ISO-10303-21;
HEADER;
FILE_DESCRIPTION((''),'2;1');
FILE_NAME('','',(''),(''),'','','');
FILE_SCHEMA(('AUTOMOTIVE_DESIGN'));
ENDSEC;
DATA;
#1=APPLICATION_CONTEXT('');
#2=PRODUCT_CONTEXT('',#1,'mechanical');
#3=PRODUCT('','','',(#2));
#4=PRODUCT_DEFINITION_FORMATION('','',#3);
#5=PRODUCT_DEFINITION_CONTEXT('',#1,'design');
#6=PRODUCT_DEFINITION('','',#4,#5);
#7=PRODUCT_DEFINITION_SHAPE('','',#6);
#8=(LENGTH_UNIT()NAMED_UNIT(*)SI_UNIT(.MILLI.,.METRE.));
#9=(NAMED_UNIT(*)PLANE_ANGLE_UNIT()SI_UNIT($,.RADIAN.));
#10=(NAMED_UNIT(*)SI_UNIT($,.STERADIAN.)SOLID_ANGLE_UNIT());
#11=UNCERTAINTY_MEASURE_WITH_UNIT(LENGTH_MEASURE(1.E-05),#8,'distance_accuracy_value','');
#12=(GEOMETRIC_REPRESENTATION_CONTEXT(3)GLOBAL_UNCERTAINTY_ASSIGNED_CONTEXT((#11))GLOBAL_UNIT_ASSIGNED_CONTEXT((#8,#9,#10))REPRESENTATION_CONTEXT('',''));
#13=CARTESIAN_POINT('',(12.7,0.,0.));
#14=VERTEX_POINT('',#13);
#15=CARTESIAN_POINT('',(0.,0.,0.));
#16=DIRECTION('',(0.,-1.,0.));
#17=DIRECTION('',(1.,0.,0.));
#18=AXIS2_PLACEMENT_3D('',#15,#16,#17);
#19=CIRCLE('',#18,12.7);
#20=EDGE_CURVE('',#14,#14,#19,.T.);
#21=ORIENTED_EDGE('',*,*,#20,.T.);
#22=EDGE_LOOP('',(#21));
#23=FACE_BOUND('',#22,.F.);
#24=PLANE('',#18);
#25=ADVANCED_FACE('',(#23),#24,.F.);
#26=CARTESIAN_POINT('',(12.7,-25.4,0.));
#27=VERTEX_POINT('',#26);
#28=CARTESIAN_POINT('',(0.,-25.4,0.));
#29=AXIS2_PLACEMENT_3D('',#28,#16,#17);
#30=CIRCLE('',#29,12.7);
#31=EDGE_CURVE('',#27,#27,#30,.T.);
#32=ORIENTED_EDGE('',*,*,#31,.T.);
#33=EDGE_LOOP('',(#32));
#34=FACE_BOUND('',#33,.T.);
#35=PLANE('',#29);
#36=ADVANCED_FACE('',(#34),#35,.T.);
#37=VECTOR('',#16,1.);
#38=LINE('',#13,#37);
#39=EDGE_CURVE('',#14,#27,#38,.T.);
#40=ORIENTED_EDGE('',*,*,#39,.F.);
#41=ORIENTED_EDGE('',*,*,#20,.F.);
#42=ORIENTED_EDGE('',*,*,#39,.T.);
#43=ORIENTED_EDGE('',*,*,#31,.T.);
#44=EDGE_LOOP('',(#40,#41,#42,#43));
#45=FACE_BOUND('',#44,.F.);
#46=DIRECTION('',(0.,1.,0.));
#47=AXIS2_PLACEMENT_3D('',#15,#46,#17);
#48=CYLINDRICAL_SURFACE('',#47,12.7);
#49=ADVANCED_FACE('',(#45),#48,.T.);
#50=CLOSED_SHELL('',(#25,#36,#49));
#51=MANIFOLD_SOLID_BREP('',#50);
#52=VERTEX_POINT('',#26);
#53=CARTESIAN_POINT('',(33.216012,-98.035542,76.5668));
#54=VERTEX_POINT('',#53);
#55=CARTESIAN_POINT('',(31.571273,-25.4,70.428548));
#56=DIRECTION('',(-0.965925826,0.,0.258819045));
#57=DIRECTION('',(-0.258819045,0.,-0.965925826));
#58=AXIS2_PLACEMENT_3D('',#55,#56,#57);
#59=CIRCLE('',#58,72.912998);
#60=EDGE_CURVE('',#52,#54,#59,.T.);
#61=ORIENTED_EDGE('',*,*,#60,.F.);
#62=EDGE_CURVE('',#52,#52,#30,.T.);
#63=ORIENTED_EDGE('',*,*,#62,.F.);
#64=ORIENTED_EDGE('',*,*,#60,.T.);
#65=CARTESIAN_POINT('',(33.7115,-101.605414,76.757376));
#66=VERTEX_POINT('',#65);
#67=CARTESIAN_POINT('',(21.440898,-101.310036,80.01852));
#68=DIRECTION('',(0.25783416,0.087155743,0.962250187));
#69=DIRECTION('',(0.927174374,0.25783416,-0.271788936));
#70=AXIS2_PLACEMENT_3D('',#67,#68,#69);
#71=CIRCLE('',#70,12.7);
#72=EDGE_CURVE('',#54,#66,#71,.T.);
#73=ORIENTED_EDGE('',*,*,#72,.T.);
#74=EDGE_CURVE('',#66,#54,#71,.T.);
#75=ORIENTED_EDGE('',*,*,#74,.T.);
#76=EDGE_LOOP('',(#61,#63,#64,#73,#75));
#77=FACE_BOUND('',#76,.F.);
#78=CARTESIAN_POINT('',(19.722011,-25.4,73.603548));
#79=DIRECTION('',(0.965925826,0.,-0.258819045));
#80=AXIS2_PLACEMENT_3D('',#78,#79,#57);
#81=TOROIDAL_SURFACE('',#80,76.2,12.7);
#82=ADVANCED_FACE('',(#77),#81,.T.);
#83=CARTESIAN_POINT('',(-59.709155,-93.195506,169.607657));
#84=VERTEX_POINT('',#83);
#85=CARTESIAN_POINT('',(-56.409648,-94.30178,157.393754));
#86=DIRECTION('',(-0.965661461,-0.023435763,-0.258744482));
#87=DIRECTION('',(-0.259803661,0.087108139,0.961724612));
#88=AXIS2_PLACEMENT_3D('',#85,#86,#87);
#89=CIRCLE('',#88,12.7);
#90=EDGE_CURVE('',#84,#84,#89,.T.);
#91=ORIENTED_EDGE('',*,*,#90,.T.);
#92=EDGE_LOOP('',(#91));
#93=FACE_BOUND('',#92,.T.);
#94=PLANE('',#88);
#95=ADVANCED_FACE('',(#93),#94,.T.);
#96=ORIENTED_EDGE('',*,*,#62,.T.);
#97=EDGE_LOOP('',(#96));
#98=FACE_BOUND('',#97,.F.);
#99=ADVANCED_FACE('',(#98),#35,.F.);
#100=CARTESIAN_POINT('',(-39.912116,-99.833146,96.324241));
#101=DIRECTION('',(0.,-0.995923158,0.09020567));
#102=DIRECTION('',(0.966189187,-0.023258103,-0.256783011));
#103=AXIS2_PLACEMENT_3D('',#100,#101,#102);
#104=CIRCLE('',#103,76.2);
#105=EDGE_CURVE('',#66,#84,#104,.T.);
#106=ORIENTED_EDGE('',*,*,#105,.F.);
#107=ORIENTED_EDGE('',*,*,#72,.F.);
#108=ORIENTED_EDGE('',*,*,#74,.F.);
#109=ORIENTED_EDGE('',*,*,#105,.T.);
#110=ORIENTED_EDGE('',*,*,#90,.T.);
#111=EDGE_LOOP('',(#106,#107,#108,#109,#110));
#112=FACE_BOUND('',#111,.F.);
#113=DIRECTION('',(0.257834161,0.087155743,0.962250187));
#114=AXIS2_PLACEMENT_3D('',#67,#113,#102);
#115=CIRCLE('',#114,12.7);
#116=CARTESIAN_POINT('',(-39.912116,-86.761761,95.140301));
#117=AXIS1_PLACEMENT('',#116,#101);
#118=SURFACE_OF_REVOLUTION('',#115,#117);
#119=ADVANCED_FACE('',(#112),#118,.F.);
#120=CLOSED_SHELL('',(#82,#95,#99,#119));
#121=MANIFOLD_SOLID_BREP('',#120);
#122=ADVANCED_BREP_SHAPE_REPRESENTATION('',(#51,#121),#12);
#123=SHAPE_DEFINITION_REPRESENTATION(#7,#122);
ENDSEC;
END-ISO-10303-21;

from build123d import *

# Parameters (mm, degrees)
F0_R     = 12.7
F1_DEPTH = 25.4
F2_R     = 12.7
F3_ANGLE = 95
F4_R     = 12.7
F5_ANGLE = 120


with BuildPart() as f1:
    # F0 (on Front) → F1 (new body)
    with BuildSketch(Plane.XZ):
        Circle(F0_R)
    extrude(amount=F1_DEPTH)


with BuildPart() as f3:
    # F2 (on face) → F3 (revolve)
    with BuildSketch(Plane.XZ.offset(25.4)):
        Circle(F2_R)
    revolve(axis=Axis((30.5956843519, -25.4, 70.6899560333), (-0.9659258263, 0, 0.2588190451)), revolution_arc=F3_ANGLE)

    # F4 (on face) → F5 (revolve)
    with BuildSketch(Plane(origin=(19.0014185187, 6.4230540324, 70.9142593277), x_dir=(0.9661891873, -0.0232581031, -0.2567830114), z_dir=(0.2578341605, 0.0871557427, 0.9622501869))):
        with Locations((2.5248463634, -108.1151351864)):
            Circle(F4_R)
    revolve(axis=Axis((-39.9121156198, -86.7617609277, 95.1403012599), (0, -0.9959231583, 0.0902056698)), revolution_arc=F5_ANGLE)


solid = Compound([f1.part, f3.part])
